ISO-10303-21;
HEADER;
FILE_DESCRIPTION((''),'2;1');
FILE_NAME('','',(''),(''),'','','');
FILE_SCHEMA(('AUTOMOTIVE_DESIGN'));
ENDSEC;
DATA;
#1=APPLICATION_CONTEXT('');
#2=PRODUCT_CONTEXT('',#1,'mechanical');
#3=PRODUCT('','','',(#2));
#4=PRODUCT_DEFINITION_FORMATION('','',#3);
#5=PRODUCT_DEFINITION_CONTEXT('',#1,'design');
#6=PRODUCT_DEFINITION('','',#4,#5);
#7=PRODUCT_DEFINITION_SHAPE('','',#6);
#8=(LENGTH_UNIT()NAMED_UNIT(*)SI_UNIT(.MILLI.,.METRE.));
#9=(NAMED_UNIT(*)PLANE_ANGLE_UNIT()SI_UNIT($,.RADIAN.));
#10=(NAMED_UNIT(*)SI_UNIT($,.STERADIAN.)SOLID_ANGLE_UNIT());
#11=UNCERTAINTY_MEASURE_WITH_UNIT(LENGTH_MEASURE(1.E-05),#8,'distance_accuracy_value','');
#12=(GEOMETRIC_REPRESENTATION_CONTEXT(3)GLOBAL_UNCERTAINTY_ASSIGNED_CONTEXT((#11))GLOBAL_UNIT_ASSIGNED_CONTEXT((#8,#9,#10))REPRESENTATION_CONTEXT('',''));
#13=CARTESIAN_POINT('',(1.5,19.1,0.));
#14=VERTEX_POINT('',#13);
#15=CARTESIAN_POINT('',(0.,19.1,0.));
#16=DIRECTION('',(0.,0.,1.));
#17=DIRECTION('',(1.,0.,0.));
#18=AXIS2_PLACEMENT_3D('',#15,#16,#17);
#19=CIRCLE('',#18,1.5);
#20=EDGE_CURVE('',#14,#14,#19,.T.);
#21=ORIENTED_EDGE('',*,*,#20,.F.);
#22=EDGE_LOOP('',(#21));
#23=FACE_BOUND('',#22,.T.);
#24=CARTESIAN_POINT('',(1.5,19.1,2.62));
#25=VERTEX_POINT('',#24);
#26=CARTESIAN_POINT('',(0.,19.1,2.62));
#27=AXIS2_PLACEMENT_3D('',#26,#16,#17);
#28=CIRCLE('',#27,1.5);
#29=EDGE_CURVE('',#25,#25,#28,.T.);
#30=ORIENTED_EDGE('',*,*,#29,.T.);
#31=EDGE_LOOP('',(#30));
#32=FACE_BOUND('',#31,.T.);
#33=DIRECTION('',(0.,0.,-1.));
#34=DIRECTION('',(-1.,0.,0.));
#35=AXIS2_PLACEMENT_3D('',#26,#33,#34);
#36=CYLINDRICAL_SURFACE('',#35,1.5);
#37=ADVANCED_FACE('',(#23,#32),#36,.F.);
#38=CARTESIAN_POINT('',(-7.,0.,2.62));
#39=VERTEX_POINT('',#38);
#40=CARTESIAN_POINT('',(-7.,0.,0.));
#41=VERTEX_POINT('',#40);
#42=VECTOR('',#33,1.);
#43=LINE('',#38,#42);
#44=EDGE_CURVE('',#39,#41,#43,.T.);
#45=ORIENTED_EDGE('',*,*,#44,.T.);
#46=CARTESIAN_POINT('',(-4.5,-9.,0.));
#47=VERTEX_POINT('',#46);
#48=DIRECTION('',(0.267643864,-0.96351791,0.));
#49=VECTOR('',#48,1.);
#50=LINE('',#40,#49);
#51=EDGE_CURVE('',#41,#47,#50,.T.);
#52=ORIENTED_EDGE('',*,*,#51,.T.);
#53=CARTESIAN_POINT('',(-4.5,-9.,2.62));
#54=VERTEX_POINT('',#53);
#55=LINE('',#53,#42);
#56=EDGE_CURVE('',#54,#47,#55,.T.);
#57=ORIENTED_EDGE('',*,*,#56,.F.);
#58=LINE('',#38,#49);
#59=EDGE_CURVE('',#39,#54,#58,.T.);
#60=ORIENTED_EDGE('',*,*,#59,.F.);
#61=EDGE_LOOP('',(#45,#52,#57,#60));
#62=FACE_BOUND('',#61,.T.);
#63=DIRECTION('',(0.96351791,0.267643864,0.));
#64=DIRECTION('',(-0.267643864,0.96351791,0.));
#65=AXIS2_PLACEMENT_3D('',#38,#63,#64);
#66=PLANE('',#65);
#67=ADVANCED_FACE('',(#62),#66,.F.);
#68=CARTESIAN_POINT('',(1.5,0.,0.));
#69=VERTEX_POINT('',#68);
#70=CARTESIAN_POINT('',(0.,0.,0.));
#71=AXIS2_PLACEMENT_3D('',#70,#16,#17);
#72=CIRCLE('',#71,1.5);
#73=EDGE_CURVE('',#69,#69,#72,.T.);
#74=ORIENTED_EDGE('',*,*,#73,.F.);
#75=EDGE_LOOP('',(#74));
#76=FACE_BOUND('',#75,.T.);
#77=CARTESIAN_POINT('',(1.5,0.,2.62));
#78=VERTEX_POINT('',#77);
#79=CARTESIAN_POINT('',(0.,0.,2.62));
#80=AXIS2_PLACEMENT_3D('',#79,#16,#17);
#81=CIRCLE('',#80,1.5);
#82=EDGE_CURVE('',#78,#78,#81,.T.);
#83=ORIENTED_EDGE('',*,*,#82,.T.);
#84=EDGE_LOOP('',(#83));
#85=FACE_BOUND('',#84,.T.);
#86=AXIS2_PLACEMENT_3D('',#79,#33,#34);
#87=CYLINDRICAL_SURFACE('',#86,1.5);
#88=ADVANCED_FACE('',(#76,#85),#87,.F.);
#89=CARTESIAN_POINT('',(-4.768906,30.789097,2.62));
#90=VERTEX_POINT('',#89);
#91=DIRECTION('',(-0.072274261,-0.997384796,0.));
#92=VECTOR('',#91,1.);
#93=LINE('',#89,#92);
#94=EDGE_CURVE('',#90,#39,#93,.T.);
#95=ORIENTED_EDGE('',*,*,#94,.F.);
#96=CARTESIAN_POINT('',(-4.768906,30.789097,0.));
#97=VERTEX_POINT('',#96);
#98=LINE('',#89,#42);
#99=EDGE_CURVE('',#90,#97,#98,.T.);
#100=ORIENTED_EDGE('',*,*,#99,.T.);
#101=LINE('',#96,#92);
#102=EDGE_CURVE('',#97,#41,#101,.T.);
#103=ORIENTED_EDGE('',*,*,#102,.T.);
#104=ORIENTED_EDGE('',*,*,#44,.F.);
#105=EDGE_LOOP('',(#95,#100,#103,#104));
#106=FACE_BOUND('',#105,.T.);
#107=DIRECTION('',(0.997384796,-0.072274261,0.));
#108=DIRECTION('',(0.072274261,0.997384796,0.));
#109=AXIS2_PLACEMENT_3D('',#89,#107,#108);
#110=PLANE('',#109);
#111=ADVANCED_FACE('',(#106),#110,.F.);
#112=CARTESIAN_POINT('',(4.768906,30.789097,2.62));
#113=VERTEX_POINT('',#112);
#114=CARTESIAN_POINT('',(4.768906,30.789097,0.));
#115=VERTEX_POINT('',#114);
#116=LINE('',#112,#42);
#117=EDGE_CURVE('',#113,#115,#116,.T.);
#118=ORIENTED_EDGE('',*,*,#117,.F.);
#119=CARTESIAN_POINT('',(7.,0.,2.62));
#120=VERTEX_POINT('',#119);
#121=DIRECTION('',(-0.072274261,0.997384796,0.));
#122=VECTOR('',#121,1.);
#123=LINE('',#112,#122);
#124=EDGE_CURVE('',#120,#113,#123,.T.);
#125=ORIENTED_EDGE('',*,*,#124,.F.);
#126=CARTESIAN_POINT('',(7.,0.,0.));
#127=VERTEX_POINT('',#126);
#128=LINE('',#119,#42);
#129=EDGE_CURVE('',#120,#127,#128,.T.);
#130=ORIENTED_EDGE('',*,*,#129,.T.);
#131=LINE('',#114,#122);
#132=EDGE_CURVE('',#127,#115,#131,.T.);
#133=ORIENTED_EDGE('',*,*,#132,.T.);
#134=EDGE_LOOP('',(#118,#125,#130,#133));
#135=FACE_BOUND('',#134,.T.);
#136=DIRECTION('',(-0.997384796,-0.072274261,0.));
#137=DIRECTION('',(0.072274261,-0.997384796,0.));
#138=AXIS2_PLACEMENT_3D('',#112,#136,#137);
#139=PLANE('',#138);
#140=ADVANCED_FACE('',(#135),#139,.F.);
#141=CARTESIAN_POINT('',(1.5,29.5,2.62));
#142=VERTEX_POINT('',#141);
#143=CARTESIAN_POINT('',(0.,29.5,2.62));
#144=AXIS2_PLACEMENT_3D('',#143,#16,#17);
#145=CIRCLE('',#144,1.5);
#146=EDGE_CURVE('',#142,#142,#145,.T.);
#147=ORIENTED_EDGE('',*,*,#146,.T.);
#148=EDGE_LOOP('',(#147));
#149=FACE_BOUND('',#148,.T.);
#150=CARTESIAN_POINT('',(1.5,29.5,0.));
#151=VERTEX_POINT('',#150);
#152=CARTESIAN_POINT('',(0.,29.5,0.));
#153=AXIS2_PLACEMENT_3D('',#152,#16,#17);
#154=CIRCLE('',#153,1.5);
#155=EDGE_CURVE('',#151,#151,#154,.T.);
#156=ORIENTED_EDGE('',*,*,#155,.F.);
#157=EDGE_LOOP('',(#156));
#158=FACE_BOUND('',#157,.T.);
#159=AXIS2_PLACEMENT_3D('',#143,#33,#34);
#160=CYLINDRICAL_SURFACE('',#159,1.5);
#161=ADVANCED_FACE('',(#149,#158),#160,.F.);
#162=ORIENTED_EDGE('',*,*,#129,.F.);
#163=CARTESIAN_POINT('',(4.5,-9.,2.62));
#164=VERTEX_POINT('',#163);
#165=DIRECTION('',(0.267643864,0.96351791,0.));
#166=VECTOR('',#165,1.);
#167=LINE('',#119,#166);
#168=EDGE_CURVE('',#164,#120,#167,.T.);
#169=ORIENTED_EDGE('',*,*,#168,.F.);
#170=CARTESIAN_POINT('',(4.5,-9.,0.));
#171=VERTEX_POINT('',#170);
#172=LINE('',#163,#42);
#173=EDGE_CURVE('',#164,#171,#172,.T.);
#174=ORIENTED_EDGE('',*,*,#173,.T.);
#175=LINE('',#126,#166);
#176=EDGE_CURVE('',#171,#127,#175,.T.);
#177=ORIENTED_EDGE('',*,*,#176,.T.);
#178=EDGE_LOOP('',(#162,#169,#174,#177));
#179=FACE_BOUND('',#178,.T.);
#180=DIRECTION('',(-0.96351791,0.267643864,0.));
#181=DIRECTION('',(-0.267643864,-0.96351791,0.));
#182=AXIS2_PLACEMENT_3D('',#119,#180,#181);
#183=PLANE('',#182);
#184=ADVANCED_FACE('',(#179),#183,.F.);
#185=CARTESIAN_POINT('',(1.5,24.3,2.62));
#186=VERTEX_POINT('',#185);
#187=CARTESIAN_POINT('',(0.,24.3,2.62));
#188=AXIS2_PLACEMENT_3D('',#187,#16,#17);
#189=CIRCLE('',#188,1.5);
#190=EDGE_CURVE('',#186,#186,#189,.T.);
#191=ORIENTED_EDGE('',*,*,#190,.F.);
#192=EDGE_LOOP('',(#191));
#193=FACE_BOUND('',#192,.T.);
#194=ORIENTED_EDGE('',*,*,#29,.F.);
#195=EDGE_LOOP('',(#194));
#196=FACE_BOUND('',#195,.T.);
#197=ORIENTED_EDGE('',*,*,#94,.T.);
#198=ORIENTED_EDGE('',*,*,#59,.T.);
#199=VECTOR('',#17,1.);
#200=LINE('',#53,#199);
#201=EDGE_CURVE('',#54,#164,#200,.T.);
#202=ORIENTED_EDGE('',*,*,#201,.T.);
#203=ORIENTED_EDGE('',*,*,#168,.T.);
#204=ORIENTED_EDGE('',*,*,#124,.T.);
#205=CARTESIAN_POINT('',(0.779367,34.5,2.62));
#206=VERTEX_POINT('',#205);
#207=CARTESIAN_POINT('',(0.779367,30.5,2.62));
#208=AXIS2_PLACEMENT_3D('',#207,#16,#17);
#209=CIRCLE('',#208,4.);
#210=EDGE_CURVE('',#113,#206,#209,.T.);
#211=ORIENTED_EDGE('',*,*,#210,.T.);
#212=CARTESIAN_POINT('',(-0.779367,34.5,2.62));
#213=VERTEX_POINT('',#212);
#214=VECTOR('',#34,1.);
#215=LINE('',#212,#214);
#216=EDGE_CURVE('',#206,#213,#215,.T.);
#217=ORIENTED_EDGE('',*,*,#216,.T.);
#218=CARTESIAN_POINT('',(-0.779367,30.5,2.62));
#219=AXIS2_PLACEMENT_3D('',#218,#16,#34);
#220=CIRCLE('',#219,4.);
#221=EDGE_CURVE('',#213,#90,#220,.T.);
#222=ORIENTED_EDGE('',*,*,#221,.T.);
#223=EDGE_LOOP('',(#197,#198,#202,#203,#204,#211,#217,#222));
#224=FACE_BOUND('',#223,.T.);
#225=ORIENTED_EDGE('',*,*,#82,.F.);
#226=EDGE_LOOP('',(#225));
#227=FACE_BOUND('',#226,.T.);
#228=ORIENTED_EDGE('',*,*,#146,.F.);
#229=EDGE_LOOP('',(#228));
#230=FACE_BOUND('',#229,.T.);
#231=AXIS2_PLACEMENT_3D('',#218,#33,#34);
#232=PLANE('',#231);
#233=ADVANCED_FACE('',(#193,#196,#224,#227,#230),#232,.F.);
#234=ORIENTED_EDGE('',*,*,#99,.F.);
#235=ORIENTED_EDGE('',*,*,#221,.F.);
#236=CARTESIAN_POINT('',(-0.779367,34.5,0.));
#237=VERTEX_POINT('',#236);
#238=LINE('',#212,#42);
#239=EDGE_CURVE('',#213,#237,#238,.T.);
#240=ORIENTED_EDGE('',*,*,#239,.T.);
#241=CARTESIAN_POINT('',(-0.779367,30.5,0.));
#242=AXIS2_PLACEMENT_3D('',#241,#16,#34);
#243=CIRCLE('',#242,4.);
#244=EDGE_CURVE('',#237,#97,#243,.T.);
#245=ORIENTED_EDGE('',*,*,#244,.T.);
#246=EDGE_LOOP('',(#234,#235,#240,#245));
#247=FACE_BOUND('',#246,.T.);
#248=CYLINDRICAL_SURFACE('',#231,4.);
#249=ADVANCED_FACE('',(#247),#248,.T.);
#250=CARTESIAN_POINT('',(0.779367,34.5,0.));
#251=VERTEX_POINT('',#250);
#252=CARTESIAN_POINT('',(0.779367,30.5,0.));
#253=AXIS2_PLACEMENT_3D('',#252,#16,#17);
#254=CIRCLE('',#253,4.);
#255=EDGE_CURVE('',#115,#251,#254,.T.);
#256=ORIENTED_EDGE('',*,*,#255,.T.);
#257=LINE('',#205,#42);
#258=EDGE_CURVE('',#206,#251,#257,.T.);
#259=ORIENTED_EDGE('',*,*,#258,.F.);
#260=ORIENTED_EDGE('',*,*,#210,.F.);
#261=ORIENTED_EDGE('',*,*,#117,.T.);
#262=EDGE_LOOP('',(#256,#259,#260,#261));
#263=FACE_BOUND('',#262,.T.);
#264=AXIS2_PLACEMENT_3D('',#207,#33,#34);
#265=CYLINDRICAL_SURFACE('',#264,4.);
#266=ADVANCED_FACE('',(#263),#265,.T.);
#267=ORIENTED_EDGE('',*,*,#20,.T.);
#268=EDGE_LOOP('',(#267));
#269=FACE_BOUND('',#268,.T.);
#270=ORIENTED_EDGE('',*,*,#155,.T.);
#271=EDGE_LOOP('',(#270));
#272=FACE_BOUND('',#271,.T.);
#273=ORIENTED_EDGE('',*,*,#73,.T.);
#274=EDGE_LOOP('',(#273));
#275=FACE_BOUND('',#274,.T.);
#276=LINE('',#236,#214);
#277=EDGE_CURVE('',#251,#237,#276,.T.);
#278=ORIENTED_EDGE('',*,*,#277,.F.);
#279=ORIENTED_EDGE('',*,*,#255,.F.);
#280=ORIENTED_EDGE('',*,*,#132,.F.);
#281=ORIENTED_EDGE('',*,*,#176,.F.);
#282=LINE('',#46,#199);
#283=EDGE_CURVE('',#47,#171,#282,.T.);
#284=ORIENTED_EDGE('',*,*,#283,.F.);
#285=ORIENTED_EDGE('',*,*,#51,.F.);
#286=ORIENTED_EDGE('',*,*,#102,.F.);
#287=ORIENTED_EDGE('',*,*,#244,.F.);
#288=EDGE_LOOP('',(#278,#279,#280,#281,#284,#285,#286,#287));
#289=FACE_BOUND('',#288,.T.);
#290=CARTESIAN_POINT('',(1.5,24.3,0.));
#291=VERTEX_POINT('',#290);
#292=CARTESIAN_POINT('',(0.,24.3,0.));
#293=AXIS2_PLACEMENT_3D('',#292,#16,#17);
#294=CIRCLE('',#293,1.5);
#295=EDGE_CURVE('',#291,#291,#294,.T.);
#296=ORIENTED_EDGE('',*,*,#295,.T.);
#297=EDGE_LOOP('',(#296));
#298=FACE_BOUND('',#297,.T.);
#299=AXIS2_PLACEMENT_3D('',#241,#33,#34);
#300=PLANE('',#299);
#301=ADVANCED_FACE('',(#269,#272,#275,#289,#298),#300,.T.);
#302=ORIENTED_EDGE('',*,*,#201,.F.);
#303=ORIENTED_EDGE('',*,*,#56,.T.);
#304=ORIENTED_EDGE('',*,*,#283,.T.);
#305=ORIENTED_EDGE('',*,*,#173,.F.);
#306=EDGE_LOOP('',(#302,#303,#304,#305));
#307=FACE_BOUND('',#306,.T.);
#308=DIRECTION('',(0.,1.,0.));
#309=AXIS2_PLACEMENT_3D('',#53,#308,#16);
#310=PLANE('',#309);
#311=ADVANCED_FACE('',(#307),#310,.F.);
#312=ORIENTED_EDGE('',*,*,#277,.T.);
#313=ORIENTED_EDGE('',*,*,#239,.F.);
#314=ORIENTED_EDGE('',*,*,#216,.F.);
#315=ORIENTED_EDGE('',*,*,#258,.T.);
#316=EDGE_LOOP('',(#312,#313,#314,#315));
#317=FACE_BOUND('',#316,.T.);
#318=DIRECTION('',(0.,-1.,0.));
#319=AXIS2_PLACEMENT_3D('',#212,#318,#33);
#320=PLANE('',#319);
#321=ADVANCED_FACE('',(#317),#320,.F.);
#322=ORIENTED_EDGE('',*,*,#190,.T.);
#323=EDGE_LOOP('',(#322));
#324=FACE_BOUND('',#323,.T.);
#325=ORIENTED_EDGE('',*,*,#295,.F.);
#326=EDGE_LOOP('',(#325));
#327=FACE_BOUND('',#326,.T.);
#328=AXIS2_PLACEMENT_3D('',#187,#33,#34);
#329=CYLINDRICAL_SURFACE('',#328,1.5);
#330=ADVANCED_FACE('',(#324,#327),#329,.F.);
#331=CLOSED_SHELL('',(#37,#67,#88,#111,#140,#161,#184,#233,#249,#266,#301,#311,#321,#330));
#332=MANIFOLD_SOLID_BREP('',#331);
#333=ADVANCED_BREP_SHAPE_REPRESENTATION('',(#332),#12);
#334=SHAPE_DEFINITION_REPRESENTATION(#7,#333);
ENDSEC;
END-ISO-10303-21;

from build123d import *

# Parameters (mm, degrees)
SKETCH2_R           = 1.5
BOSS_EXTRUDE1_DEPTH = 2.62


with BuildPart() as part:
    # Sketch2 → Boss-Extrude1 (new body)
    with BuildSketch(Plane.XY):
        with BuildLine():
            Line((-0.779366827, 34.5), (0.779366827, 34.5))
            ThreePointArc((0.779366827, 34.5), (3.503665988, 33.428855422), (4.768906011, 30.789097042))
            Line((4.768906011, 30.789097042), (7, 0))
            Line((7, 0), (4.5, -9))
            Line((4.5, -9), (-4.5, -9))
            Line((-4.5, -9), (-7, 0))
            Line((-7, 0), (-4.768906011, 30.789097042))
            ThreePointArc((-4.768906011, 30.789097042), (-3.503665988, 33.428855422), (-0.779366827, 34.5))
        make_face()
        Circle(SKETCH2_R, mode=Mode.SUBTRACT)
        with Locations((0, 19.1)):
            Circle(SKETCH2_R, mode=Mode.SUBTRACT)
        with Locations((0, 24.3)):
            Circle(SKETCH2_R, mode=Mode.SUBTRACT)
        with Locations((0, 29.5)):
            Circle(SKETCH2_R, mode=Mode.SUBTRACT)
    extrude(amount=BOSS_EXTRUDE1_DEPTH)


solid = part.part
